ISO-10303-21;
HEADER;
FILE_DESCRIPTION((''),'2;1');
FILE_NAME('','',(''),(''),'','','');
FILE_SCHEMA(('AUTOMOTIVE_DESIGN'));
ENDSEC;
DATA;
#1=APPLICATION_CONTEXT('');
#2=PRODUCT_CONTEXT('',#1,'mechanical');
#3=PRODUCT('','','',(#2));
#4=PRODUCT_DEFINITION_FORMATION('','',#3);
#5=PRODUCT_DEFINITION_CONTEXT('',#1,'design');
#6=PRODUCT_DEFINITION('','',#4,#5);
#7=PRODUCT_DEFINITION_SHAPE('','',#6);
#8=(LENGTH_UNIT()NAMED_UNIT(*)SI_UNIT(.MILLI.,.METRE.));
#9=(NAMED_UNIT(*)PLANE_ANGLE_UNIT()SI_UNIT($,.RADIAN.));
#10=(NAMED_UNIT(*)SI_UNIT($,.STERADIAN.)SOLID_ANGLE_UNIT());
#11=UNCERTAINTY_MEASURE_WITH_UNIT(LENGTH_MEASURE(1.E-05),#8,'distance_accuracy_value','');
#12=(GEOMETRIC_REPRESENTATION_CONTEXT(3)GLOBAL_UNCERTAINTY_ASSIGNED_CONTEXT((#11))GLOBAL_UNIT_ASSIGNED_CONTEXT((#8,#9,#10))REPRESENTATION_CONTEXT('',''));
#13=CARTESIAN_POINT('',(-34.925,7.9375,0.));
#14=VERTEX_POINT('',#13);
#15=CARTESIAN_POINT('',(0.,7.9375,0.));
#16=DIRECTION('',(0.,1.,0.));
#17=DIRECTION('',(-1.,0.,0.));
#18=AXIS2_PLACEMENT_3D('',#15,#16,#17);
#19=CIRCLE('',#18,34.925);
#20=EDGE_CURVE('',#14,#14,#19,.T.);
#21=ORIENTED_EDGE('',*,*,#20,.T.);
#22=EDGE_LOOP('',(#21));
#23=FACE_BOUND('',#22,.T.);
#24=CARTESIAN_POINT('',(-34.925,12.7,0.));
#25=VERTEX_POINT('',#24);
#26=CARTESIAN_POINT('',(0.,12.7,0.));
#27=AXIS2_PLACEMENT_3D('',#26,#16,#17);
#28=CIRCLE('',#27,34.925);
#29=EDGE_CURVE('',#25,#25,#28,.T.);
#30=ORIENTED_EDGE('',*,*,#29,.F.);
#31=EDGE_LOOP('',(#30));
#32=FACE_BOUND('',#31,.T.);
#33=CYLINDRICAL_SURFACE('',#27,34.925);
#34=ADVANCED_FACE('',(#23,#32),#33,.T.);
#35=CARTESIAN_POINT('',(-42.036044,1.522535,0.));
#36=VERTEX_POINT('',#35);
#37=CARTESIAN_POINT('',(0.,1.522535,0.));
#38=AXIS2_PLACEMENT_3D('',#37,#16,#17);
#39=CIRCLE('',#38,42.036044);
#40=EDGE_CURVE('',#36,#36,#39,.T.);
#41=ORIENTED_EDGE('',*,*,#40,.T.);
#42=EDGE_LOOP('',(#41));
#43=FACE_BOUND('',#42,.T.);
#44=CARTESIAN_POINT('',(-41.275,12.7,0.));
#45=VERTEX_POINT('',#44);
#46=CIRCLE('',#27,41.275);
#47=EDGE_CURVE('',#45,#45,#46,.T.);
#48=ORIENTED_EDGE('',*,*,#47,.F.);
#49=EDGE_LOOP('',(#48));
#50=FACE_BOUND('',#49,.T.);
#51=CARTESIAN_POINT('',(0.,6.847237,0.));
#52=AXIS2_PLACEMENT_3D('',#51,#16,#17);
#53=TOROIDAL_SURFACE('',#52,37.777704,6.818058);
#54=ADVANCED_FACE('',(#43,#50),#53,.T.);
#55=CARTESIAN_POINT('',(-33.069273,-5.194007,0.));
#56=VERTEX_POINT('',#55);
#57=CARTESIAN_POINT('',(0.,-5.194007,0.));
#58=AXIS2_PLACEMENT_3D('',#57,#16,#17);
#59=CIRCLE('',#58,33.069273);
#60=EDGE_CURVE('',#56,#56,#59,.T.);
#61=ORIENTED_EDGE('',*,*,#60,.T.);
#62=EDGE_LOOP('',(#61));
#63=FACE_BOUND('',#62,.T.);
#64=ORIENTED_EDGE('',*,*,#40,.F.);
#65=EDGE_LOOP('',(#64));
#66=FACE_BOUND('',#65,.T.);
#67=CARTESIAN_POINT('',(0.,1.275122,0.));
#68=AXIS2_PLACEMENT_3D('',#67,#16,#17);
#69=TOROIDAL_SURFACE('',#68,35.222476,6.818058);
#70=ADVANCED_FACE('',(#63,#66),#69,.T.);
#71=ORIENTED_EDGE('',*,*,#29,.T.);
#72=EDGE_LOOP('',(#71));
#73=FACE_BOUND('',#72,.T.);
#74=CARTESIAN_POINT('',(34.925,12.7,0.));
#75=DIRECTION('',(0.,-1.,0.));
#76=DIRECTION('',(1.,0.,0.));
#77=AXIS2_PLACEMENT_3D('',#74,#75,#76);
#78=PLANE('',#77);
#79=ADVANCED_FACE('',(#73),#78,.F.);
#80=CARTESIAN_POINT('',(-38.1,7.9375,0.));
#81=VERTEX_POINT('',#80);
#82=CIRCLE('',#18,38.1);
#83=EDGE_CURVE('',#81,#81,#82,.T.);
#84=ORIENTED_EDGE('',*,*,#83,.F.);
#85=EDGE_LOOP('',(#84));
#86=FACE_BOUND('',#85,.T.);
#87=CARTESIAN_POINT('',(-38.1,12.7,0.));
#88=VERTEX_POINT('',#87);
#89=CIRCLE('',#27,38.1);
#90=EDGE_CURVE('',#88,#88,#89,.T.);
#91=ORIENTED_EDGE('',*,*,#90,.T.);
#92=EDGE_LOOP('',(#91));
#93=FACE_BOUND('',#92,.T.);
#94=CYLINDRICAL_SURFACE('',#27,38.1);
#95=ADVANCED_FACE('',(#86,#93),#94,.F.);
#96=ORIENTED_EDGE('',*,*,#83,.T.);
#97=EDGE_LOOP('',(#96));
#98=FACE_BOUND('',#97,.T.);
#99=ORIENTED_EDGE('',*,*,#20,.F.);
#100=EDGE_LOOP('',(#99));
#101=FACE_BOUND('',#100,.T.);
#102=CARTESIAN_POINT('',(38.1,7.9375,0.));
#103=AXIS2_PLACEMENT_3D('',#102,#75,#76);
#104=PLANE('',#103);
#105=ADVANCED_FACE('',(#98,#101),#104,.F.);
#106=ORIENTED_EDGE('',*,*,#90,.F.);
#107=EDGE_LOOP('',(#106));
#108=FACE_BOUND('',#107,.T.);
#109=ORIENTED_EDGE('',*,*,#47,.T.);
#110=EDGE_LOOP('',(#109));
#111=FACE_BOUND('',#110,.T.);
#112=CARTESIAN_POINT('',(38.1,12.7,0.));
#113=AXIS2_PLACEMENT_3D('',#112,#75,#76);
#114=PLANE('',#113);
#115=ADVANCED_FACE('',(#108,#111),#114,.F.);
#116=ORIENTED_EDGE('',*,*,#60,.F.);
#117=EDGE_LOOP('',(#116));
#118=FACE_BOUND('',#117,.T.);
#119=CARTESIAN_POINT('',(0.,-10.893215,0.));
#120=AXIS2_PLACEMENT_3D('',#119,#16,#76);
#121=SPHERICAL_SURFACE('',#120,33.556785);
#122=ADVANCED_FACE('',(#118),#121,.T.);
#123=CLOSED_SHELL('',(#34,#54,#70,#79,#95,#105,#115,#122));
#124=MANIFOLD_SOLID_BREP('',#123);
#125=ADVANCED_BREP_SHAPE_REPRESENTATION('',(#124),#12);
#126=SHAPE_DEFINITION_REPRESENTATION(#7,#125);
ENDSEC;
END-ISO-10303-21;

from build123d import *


with BuildPart() as part:
    # Sketch2 → Revolve1 (revolve)
    with BuildSketch(Plane.XY, mode=Mode.PRIVATE) as revolve1_sk:
        with BuildLine():
            Line((38.1, 7.9375), (34.925, 7.9375))
            Line((34.925, 7.9375), (34.925, 12.7))
            Line((34.925, 12.7), (0, 12.7))
            Line((0, 12.7), (0, 0))
            Line((0, 0), (0, -44.45))
            ThreePointArc((0, -44.45), (25.664225243, -32.512774616), (33.069273235, -5.194006865))
            ThreePointArc((33.069273235, -5.194006865), (39.309985781, -4.181816741), (42.036043974, 1.52253499))
            ThreePointArc((42.036043974, 1.52253499), (44.580012514, 7.310388306), (41.275, 12.7))
            Line((41.275, 12.7), (38.1, 12.7))
            Line((38.1, 12.7), (38.1, 7.9375))
        make_face()
    revolve(revolve1_sk.sketch.rotate(Axis((0, 12.7, 0), (0, -1, 0)), 180), axis=Axis((0, 12.7, 0), (0, -1, 0)))


solid = part.part
